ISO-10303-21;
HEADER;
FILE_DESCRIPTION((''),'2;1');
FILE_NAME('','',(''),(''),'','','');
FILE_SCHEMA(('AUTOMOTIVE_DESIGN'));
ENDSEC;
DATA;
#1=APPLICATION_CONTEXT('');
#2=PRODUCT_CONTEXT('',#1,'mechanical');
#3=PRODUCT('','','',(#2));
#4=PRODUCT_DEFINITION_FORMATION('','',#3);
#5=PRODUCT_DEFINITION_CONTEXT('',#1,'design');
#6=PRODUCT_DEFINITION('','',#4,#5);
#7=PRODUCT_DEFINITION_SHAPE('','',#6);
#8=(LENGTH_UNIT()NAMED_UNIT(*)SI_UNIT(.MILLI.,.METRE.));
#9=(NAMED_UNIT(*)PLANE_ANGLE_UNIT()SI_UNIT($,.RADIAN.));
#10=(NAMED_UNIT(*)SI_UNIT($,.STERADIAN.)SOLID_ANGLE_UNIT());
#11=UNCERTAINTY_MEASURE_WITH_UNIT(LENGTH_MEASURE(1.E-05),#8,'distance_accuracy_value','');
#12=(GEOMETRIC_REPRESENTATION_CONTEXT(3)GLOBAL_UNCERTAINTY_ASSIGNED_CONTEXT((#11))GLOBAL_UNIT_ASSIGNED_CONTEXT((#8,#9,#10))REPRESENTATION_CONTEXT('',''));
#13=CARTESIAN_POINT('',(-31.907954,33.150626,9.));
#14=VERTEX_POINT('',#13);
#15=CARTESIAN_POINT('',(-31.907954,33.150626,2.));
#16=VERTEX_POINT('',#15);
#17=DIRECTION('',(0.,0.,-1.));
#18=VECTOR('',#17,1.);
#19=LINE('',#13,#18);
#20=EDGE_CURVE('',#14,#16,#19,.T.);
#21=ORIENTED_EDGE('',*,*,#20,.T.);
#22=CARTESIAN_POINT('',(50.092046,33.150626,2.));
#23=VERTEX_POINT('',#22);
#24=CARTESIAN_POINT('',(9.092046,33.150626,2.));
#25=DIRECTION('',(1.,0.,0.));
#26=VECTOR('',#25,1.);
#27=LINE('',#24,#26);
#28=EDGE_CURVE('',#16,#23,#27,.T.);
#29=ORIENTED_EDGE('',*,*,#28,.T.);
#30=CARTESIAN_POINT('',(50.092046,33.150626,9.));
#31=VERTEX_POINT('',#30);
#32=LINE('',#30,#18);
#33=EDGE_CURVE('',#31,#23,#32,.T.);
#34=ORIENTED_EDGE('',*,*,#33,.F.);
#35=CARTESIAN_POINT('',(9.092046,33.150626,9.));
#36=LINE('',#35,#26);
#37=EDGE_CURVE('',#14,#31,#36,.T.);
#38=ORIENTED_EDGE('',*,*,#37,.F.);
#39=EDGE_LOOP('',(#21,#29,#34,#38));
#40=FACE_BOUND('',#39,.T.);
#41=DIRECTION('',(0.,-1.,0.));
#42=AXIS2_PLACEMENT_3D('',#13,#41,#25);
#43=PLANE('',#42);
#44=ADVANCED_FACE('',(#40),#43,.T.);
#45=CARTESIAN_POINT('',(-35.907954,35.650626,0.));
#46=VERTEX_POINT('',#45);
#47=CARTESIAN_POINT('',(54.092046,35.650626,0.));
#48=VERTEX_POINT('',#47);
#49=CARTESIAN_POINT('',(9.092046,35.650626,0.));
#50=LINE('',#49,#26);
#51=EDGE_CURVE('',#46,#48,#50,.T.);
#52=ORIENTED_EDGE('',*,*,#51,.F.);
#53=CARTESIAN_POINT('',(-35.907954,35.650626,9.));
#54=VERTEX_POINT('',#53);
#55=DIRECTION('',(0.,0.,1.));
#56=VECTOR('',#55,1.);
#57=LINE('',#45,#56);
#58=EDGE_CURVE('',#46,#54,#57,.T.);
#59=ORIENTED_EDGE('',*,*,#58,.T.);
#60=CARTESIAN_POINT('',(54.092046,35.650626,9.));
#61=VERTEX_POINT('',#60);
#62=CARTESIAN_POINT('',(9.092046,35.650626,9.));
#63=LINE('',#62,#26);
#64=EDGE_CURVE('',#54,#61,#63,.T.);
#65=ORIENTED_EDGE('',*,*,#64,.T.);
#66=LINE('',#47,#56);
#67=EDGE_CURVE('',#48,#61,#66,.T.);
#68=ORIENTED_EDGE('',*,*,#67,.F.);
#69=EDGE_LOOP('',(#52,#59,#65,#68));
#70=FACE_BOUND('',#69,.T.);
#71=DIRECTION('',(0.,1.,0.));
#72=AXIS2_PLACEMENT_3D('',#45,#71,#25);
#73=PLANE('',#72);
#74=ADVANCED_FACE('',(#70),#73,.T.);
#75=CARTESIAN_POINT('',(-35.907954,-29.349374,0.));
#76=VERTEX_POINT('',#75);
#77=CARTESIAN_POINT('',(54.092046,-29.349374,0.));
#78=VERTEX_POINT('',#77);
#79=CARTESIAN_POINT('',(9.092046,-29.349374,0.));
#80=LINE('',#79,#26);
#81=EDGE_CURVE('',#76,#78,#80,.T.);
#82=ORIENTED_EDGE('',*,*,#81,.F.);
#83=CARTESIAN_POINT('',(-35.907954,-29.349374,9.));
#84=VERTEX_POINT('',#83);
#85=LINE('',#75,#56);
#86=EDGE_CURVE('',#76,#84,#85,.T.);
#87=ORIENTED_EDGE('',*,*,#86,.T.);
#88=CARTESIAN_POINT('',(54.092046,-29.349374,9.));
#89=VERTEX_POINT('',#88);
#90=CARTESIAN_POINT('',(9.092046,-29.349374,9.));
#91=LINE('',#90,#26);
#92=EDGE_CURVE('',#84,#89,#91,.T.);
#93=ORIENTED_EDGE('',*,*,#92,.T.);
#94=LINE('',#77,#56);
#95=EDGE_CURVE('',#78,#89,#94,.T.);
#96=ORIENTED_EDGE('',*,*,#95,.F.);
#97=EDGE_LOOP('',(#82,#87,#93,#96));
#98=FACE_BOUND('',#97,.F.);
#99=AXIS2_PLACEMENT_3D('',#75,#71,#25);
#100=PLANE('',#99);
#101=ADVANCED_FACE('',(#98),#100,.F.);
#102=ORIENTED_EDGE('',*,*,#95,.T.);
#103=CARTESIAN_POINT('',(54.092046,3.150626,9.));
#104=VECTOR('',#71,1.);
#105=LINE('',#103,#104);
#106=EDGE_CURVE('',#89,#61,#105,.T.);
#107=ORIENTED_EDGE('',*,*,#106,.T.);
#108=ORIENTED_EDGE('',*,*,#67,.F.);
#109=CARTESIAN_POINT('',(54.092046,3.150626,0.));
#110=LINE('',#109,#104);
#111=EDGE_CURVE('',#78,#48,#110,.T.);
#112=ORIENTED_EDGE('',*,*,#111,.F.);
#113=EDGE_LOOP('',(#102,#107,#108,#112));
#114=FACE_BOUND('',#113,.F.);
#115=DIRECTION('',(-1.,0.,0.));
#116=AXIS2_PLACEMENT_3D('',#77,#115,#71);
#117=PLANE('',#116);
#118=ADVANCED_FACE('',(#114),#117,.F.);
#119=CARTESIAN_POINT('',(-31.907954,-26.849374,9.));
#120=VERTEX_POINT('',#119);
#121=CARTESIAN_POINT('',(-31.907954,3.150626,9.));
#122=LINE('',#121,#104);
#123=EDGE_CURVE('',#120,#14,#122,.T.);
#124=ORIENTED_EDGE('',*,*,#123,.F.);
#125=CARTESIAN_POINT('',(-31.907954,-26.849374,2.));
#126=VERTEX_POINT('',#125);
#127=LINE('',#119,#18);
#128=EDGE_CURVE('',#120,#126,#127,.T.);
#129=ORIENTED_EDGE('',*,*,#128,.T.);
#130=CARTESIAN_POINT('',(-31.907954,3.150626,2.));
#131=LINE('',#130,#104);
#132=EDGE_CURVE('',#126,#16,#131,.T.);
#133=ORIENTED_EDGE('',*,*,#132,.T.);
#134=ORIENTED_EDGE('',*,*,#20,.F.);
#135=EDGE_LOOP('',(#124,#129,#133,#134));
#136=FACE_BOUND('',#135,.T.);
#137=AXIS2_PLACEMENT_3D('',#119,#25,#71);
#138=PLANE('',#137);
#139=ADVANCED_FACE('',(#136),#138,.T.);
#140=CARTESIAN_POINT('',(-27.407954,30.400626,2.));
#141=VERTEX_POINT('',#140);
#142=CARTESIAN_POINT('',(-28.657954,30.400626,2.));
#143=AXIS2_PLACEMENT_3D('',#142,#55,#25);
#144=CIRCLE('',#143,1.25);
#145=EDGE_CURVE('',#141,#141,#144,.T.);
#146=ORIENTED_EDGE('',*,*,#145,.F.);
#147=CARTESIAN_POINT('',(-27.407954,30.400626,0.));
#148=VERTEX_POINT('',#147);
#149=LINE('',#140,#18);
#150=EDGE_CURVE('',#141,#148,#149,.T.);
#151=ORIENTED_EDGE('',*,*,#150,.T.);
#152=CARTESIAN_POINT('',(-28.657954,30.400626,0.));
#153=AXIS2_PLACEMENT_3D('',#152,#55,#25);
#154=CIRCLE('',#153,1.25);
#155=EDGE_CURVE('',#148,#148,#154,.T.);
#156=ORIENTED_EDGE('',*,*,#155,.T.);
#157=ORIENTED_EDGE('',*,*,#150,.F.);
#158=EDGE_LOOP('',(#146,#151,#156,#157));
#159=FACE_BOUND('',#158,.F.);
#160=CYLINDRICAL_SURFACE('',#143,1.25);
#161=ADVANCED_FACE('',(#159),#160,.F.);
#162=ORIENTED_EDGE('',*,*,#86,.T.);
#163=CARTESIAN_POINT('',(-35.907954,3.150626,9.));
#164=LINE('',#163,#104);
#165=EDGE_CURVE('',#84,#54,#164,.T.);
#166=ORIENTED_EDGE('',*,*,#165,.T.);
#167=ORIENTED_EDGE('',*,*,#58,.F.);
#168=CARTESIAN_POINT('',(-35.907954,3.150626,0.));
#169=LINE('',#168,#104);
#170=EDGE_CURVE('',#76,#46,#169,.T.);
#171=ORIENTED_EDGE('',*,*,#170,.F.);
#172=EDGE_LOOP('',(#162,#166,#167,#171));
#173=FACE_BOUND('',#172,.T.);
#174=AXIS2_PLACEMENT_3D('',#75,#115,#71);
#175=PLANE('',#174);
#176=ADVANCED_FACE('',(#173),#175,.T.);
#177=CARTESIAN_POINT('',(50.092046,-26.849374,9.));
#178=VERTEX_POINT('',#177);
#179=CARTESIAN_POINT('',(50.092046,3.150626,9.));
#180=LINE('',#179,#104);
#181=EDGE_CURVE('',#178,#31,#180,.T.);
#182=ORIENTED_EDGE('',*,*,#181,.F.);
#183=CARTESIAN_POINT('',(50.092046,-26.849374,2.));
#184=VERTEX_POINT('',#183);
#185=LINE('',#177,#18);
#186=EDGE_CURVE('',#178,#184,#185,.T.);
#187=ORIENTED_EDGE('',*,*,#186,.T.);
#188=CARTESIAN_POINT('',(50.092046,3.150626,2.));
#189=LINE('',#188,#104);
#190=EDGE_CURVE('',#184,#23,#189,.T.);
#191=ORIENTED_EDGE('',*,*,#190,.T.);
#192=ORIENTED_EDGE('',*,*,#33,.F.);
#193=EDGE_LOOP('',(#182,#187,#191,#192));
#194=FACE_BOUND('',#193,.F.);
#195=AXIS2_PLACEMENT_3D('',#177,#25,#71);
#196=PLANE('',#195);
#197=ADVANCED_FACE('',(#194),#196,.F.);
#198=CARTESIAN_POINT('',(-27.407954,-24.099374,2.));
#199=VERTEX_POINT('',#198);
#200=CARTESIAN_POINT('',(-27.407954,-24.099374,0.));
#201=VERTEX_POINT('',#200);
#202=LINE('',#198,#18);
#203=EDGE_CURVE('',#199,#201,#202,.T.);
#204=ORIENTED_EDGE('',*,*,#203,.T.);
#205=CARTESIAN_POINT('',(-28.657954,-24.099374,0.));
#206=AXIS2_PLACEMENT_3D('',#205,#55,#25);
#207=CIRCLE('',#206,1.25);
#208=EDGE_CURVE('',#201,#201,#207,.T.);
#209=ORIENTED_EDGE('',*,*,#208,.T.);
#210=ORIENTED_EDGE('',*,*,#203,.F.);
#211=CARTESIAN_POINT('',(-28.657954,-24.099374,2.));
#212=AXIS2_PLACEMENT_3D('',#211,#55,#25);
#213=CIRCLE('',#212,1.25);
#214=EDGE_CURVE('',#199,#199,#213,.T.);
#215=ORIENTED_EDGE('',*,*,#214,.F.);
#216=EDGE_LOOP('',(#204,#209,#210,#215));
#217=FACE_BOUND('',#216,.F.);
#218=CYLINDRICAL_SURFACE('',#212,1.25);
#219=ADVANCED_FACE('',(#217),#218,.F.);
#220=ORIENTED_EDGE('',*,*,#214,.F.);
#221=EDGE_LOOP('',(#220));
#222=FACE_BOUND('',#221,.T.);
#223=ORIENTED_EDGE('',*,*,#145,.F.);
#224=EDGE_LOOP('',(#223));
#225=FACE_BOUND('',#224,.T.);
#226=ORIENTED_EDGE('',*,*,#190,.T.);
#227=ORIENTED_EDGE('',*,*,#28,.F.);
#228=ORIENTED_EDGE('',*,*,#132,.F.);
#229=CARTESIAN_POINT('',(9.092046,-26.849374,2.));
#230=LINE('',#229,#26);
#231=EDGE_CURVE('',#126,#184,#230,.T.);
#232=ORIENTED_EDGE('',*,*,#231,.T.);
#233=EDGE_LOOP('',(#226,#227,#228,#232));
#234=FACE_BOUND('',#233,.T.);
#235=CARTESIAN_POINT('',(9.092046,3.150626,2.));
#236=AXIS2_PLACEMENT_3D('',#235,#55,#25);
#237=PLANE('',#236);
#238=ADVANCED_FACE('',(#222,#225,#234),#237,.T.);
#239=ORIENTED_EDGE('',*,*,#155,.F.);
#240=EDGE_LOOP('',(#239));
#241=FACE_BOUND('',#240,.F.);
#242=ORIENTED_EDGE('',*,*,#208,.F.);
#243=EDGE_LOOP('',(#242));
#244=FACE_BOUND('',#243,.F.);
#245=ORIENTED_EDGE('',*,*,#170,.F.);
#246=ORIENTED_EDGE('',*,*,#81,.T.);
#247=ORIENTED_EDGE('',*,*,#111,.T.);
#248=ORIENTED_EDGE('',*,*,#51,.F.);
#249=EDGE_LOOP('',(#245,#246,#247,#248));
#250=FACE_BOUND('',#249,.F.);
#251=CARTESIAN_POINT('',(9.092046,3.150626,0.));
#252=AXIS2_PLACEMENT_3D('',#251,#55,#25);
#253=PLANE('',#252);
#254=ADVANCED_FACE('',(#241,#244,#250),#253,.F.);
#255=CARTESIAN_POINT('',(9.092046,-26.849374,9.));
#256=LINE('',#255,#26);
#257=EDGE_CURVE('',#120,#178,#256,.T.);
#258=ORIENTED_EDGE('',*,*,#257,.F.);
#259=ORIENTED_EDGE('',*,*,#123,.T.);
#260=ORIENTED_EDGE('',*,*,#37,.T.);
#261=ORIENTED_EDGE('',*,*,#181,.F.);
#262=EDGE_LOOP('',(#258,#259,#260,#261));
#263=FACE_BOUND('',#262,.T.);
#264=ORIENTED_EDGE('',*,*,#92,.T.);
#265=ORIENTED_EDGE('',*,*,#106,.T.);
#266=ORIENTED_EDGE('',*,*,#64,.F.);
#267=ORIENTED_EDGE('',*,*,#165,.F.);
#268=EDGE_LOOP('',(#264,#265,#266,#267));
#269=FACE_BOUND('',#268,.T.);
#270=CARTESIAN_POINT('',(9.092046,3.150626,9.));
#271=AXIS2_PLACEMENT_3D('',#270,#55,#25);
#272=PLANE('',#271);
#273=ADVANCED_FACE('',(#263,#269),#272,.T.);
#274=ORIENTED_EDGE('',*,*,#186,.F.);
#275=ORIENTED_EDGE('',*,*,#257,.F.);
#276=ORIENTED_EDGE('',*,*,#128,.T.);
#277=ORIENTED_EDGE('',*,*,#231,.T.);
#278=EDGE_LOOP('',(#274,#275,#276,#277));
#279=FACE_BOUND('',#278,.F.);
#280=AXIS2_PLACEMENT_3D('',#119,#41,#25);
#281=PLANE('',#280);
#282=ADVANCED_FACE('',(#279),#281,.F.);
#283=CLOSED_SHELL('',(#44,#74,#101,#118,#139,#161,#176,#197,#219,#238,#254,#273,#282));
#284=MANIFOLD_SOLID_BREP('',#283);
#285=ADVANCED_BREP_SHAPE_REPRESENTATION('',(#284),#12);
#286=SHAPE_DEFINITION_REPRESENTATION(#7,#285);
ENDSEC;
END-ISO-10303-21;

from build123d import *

# Parameters (mm, degrees)
F0_W     = 90
F0_H     = 65
F1_DEPTH = 9
F2_W     = 82
F2_H     = 60
F3_DEPTH = 7
F4_R     = 1.25
F5_DEPTH = 2.001


with BuildPart() as f1:
    # F0 (on Top) → F1 (new body)
    with BuildSketch(Plane.XY):
        with Locations((9.092046, 3.150626)):
            Rectangle(F0_W, F0_H)
    extrude(amount=F1_DEPTH)

    # F2 (on face) → F3 (cut)
    with BuildSketch(Plane.XY.offset(9)):
        with Locations((9.092046, 3.150626)):
            Rectangle(F2_W, F2_H)
    extrude(amount=-F3_DEPTH, mode=Mode.SUBTRACT)

    # F4 (on face) → F5 (cut, through all)
    with BuildSketch(Plane.XY.offset(2)):
        with Locations((-28.657954, 30.400626)):
            Circle(F4_R)
        with Locations((-28.657954, -24.099374)):
            Circle(F4_R)
    extrude(amount=-F5_DEPTH, mode=Mode.SUBTRACT)


solid = f1.part
